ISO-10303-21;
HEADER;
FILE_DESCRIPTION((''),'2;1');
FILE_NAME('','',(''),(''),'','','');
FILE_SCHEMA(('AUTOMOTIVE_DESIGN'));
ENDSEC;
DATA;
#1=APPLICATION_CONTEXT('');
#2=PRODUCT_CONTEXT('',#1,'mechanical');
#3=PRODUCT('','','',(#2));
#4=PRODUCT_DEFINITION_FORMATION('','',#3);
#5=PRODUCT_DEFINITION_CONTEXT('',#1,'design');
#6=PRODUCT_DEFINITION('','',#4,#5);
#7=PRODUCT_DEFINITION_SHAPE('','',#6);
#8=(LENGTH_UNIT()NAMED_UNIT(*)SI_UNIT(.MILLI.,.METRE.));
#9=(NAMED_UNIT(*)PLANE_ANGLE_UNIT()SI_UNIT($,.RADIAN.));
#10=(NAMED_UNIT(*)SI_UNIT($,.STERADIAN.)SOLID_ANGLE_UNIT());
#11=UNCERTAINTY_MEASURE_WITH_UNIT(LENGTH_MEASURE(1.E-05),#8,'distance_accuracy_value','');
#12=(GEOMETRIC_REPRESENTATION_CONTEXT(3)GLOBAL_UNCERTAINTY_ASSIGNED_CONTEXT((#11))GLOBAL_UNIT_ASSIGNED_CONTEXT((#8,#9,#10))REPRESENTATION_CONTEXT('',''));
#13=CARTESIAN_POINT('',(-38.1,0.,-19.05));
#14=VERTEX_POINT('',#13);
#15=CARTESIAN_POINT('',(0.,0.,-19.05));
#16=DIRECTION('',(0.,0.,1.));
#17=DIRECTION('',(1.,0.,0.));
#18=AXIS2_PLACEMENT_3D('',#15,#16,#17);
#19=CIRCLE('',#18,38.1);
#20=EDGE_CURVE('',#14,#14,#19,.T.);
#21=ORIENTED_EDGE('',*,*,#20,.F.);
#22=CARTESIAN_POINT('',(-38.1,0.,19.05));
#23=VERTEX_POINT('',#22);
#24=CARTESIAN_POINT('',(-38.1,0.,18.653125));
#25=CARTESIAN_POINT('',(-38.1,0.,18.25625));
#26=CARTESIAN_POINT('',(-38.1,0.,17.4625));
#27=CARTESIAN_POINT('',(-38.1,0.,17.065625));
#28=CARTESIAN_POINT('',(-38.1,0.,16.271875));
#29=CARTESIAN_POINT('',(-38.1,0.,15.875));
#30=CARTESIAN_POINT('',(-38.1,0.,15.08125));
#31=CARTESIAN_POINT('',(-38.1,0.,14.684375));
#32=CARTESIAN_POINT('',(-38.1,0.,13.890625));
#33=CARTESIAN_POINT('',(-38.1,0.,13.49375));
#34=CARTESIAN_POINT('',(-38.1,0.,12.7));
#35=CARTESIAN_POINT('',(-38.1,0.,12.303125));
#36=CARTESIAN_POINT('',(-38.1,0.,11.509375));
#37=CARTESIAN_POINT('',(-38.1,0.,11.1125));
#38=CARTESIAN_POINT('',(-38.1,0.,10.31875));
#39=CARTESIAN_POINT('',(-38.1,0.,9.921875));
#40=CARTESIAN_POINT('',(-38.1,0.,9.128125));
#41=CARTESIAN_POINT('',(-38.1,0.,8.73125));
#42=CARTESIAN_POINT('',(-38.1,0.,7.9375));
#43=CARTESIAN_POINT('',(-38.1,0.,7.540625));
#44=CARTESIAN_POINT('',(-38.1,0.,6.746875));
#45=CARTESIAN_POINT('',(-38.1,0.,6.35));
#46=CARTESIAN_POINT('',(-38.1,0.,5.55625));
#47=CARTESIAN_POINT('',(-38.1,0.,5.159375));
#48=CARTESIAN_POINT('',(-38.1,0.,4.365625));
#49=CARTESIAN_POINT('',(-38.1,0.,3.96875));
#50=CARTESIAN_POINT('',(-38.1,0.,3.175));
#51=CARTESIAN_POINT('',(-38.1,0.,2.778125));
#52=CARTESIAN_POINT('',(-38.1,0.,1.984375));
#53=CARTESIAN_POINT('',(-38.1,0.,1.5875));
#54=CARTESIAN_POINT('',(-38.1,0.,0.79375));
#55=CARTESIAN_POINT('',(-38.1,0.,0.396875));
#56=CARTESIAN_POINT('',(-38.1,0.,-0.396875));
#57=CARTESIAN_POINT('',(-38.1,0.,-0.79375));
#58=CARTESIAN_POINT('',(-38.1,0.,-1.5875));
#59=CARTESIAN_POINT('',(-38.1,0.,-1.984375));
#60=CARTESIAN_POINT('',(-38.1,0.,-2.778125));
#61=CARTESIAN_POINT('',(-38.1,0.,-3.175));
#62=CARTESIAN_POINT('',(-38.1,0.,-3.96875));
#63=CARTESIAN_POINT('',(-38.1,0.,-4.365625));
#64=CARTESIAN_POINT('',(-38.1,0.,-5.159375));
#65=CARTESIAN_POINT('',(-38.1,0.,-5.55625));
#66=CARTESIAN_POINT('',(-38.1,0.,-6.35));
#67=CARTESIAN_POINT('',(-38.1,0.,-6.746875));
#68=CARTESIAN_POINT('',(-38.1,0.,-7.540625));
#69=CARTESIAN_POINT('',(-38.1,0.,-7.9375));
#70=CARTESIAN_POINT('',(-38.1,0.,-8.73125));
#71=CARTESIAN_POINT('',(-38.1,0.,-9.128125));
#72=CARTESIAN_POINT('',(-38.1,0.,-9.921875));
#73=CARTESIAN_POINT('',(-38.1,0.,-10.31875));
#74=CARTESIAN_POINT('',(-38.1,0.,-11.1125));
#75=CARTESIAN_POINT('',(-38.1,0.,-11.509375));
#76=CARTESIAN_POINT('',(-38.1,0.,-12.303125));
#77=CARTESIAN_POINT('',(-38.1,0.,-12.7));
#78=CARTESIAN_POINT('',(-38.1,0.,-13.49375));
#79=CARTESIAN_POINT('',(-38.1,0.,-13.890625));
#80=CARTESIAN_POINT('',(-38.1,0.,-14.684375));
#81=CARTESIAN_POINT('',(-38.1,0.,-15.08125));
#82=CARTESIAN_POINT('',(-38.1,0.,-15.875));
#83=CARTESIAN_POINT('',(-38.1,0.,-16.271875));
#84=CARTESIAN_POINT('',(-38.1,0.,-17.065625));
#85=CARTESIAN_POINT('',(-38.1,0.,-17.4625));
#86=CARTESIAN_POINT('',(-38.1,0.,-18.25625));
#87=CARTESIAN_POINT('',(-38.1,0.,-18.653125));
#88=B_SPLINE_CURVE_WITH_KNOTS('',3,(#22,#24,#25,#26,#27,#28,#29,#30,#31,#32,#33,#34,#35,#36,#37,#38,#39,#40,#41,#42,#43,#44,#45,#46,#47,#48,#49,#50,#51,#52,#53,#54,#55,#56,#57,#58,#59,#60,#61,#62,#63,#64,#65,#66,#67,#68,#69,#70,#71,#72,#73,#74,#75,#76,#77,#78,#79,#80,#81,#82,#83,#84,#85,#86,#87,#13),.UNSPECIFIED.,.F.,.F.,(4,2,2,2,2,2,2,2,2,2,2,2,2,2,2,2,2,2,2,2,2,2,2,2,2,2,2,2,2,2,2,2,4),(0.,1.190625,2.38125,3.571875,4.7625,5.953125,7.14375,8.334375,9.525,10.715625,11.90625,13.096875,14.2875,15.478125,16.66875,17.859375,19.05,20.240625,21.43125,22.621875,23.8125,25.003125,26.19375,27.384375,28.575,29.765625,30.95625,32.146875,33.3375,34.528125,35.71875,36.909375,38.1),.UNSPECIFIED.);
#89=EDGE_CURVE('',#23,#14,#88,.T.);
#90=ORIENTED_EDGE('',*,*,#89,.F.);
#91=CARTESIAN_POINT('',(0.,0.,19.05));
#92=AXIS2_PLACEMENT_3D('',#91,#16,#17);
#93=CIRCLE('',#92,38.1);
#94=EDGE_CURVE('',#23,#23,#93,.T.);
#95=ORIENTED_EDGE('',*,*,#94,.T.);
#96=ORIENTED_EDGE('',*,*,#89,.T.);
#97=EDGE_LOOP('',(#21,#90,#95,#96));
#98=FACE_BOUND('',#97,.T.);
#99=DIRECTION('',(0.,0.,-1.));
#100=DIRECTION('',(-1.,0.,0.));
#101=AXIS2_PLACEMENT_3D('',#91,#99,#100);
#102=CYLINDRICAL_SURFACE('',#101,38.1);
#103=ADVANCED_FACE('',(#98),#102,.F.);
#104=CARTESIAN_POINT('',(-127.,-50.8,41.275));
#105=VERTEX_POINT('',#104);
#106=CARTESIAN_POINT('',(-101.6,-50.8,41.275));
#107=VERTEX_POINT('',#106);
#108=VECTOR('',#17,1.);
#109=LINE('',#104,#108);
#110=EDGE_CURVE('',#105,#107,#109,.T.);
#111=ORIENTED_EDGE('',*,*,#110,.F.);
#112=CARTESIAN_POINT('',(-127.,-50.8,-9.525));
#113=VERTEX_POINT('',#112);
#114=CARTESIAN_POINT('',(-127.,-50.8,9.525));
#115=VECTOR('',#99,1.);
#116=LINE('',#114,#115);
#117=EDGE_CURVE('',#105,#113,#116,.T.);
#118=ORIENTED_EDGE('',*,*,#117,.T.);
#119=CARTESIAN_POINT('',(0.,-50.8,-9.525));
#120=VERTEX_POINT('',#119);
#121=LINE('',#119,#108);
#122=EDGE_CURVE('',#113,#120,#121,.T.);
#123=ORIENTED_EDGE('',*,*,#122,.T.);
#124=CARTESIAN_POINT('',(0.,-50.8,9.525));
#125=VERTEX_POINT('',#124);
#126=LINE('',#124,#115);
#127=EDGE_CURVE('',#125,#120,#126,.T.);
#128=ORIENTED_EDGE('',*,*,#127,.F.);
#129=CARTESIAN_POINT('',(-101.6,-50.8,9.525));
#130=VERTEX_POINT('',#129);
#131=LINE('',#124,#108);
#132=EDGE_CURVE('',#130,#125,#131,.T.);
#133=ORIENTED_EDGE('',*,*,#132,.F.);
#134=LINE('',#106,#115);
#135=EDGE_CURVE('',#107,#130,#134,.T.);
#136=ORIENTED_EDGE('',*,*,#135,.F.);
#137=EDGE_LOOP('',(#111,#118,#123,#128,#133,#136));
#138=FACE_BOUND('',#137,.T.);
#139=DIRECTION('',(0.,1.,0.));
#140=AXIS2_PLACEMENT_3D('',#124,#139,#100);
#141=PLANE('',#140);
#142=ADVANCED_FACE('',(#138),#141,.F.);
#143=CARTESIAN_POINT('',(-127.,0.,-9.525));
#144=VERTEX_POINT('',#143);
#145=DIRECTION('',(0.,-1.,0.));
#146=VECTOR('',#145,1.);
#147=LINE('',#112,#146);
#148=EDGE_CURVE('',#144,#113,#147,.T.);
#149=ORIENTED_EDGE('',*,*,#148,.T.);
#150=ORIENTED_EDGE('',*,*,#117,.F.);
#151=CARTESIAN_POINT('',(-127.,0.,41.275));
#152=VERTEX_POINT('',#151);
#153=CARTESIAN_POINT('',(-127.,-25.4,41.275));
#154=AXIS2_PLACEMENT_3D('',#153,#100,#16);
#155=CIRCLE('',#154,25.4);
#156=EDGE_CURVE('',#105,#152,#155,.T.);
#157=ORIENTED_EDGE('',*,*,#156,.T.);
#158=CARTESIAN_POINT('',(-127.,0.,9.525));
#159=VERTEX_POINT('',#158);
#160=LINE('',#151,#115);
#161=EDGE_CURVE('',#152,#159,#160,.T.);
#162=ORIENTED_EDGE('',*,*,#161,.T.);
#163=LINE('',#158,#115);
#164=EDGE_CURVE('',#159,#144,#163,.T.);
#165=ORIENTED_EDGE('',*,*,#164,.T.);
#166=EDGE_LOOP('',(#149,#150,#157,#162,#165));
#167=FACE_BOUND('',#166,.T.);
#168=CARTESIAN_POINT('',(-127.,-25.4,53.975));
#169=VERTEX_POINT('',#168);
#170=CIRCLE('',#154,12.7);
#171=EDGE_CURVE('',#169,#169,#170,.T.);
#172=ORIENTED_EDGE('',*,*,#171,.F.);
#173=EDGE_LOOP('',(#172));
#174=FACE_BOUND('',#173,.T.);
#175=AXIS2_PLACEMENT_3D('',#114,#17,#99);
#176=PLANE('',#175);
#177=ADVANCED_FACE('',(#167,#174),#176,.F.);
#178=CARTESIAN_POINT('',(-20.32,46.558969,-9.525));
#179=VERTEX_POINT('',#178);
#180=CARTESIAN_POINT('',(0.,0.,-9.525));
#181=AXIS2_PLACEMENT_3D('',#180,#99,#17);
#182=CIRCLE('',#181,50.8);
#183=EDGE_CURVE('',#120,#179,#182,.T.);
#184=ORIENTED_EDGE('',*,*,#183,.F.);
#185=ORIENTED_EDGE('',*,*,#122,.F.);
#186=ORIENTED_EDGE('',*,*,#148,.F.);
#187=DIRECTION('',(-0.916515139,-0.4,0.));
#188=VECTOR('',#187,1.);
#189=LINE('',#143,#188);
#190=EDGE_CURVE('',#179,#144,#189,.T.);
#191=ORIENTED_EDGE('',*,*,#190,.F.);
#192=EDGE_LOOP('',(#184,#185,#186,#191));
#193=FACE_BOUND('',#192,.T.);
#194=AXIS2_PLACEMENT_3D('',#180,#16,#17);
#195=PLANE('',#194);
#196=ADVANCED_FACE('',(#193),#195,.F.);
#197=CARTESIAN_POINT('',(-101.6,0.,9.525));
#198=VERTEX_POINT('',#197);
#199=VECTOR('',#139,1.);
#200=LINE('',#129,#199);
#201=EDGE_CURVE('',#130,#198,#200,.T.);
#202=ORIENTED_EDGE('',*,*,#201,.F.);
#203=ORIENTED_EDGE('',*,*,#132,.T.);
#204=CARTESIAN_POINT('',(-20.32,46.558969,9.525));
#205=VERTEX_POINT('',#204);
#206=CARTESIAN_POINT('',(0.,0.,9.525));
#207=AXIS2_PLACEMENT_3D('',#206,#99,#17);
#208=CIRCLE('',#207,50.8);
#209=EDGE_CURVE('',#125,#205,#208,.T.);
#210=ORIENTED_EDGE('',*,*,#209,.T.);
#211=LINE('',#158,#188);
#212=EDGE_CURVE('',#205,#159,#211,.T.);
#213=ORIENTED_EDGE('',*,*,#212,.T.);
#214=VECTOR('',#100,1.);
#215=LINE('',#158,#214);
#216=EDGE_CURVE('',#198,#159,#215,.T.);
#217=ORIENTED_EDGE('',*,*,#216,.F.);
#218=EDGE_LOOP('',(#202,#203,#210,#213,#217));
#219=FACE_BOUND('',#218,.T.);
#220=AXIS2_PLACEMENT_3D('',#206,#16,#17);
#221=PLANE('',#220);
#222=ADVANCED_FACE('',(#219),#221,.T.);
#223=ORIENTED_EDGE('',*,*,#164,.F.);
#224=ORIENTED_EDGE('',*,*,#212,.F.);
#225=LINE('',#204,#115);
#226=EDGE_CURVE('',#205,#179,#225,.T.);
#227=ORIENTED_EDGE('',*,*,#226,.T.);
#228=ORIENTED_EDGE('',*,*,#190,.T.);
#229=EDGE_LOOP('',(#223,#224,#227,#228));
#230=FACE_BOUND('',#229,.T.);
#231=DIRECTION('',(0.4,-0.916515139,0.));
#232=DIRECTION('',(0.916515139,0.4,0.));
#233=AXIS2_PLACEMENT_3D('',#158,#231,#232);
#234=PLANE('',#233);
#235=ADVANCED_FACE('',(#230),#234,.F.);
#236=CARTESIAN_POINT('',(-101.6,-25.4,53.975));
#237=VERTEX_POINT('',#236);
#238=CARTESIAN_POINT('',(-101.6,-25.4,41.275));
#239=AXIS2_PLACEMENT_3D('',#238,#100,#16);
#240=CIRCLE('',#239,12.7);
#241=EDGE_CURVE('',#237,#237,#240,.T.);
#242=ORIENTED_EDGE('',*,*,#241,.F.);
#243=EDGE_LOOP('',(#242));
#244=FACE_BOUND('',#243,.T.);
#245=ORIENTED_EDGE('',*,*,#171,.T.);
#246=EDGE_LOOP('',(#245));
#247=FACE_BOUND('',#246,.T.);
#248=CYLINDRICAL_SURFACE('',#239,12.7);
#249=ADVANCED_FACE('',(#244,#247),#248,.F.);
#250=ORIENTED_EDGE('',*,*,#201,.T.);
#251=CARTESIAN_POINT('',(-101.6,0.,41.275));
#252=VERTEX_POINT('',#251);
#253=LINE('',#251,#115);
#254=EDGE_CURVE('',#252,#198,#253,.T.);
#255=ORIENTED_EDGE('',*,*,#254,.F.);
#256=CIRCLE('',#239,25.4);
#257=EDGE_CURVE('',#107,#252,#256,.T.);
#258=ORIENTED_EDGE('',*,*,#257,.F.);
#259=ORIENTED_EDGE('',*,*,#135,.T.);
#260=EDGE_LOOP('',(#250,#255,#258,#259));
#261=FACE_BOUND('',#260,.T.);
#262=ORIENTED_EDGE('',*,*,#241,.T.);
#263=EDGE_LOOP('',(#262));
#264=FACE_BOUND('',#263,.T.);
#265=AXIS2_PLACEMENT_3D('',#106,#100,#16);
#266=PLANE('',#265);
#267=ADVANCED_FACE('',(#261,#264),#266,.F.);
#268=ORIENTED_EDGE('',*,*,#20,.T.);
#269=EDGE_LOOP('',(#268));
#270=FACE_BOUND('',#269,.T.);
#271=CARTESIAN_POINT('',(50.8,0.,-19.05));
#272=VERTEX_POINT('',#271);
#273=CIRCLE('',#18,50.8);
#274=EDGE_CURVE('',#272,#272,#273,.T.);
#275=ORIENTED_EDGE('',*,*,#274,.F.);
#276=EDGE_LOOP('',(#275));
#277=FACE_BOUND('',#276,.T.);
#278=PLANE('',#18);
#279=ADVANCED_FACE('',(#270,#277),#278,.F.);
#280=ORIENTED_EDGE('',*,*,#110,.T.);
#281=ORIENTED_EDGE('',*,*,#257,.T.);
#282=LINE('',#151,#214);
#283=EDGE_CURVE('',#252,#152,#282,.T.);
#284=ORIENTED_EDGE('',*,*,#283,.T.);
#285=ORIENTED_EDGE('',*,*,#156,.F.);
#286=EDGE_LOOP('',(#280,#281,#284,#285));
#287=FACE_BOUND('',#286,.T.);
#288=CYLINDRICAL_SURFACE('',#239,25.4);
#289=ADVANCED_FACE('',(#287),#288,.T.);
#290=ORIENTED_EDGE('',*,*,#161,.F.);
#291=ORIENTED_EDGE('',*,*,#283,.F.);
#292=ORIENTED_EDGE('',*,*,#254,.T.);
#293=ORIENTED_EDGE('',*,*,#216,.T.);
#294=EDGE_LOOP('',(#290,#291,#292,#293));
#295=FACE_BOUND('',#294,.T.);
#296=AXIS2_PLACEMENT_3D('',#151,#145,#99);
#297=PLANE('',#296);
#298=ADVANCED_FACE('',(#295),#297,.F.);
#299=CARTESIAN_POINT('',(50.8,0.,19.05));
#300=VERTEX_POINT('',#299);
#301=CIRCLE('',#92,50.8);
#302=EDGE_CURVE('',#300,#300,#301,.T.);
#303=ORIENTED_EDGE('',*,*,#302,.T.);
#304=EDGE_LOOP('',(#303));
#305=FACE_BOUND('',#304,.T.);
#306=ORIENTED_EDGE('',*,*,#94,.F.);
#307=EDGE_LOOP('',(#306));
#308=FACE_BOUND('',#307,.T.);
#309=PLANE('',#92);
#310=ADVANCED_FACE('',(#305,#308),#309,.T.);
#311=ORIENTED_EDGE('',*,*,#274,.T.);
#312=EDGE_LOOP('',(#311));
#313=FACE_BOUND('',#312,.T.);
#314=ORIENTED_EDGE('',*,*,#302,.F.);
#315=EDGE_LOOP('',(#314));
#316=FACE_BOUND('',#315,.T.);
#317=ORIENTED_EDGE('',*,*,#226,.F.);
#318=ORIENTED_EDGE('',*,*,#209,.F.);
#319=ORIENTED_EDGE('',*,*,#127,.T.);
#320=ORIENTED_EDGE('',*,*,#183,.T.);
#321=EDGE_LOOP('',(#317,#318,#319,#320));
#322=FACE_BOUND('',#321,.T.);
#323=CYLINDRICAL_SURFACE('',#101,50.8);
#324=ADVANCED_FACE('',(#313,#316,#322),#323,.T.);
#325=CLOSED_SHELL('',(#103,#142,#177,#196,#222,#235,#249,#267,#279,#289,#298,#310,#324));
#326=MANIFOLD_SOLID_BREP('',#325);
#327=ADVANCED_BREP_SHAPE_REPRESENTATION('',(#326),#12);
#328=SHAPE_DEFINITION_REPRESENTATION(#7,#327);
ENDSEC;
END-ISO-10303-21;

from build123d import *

# Parameters (mm, degrees)
SKETCH1_R           = 50.8
SKETCH1_R_2         = 38.1
BOSS_EXTRUDE1_DEPTH = 19.05
BOSS_EXTRUDE2_DEPTH = 9.525
SKETCH3_W           = 25.4
SKETCH3_H           = 50.8
BOSS_EXTRUDE3_DEPTH = 31.75
SKETCH4_R           = 25.4
SKETCH4_R_2         = 12.7
BOSS_EXTRUDE5_DEPTH = 25.4
SKETCH5_R           = 12.7
CUT_EXTRUDE1_DEPTH  = 197.56814499


with BuildPart() as part:
    # Sketch1 → Boss-Extrude1 (new, symmetric)
    with BuildSketch(Plane.XY):
        with Locations(Location((0, 0, 0), (0, 0, 180))):
            Circle(SKETCH1_R)
        with Locations(Location((0, 0, 0), (0, 0, 180))):
            Circle(SKETCH1_R_2, mode=Mode.SUBTRACT)
    extrude(amount=BOSS_EXTRUDE1_DEPTH, both=True)

    # Sketch2 → Boss-Extrude2 (add, symmetric)
    with BuildSketch(Plane.XY):
        with BuildLine():
            Line((0, -50.8), (-127, -50.8))
            Line((-127, -50.8), (-127, 0))
            Line((-127, 0), (-20.32, 46.558969061))
            ThreePointArc((-20.32, 46.558969061), (-49.728440697, -10.378929899), (0, -50.8))
        make_face()
    extrude(amount=BOSS_EXTRUDE2_DEPTH, both=True)

    # Sketch3 → Boss-Extrude3 (add)
    with BuildSketch(Plane.XY.offset(9.525)):
        with Locations((-114.3, -25.4)):
            Rectangle(SKETCH3_W, SKETCH3_H)
    extrude(amount=BOSS_EXTRUDE3_DEPTH)

    # Sketch4 → Boss-Extrude5 (add)
    with BuildSketch(Plane.ZY.offset(127)):
        with Locations((41.275, -25.4)):
            Circle(SKETCH4_R)
        with Locations((41.275, -25.4)):
            Circle(SKETCH4_R_2, mode=Mode.SUBTRACT)
    extrude(amount=-BOSS_EXTRUDE5_DEPTH)

    # Sketch5 → Cut-Extrude1 (cut, through all)
    with BuildSketch(Plane.ZY.offset(127)):
        with Locations((41.275, -25.4)):
            Circle(SKETCH5_R)
    extrude(amount=-CUT_EXTRUDE1_DEPTH, mode=Mode.SUBTRACT)


solid = part.part
